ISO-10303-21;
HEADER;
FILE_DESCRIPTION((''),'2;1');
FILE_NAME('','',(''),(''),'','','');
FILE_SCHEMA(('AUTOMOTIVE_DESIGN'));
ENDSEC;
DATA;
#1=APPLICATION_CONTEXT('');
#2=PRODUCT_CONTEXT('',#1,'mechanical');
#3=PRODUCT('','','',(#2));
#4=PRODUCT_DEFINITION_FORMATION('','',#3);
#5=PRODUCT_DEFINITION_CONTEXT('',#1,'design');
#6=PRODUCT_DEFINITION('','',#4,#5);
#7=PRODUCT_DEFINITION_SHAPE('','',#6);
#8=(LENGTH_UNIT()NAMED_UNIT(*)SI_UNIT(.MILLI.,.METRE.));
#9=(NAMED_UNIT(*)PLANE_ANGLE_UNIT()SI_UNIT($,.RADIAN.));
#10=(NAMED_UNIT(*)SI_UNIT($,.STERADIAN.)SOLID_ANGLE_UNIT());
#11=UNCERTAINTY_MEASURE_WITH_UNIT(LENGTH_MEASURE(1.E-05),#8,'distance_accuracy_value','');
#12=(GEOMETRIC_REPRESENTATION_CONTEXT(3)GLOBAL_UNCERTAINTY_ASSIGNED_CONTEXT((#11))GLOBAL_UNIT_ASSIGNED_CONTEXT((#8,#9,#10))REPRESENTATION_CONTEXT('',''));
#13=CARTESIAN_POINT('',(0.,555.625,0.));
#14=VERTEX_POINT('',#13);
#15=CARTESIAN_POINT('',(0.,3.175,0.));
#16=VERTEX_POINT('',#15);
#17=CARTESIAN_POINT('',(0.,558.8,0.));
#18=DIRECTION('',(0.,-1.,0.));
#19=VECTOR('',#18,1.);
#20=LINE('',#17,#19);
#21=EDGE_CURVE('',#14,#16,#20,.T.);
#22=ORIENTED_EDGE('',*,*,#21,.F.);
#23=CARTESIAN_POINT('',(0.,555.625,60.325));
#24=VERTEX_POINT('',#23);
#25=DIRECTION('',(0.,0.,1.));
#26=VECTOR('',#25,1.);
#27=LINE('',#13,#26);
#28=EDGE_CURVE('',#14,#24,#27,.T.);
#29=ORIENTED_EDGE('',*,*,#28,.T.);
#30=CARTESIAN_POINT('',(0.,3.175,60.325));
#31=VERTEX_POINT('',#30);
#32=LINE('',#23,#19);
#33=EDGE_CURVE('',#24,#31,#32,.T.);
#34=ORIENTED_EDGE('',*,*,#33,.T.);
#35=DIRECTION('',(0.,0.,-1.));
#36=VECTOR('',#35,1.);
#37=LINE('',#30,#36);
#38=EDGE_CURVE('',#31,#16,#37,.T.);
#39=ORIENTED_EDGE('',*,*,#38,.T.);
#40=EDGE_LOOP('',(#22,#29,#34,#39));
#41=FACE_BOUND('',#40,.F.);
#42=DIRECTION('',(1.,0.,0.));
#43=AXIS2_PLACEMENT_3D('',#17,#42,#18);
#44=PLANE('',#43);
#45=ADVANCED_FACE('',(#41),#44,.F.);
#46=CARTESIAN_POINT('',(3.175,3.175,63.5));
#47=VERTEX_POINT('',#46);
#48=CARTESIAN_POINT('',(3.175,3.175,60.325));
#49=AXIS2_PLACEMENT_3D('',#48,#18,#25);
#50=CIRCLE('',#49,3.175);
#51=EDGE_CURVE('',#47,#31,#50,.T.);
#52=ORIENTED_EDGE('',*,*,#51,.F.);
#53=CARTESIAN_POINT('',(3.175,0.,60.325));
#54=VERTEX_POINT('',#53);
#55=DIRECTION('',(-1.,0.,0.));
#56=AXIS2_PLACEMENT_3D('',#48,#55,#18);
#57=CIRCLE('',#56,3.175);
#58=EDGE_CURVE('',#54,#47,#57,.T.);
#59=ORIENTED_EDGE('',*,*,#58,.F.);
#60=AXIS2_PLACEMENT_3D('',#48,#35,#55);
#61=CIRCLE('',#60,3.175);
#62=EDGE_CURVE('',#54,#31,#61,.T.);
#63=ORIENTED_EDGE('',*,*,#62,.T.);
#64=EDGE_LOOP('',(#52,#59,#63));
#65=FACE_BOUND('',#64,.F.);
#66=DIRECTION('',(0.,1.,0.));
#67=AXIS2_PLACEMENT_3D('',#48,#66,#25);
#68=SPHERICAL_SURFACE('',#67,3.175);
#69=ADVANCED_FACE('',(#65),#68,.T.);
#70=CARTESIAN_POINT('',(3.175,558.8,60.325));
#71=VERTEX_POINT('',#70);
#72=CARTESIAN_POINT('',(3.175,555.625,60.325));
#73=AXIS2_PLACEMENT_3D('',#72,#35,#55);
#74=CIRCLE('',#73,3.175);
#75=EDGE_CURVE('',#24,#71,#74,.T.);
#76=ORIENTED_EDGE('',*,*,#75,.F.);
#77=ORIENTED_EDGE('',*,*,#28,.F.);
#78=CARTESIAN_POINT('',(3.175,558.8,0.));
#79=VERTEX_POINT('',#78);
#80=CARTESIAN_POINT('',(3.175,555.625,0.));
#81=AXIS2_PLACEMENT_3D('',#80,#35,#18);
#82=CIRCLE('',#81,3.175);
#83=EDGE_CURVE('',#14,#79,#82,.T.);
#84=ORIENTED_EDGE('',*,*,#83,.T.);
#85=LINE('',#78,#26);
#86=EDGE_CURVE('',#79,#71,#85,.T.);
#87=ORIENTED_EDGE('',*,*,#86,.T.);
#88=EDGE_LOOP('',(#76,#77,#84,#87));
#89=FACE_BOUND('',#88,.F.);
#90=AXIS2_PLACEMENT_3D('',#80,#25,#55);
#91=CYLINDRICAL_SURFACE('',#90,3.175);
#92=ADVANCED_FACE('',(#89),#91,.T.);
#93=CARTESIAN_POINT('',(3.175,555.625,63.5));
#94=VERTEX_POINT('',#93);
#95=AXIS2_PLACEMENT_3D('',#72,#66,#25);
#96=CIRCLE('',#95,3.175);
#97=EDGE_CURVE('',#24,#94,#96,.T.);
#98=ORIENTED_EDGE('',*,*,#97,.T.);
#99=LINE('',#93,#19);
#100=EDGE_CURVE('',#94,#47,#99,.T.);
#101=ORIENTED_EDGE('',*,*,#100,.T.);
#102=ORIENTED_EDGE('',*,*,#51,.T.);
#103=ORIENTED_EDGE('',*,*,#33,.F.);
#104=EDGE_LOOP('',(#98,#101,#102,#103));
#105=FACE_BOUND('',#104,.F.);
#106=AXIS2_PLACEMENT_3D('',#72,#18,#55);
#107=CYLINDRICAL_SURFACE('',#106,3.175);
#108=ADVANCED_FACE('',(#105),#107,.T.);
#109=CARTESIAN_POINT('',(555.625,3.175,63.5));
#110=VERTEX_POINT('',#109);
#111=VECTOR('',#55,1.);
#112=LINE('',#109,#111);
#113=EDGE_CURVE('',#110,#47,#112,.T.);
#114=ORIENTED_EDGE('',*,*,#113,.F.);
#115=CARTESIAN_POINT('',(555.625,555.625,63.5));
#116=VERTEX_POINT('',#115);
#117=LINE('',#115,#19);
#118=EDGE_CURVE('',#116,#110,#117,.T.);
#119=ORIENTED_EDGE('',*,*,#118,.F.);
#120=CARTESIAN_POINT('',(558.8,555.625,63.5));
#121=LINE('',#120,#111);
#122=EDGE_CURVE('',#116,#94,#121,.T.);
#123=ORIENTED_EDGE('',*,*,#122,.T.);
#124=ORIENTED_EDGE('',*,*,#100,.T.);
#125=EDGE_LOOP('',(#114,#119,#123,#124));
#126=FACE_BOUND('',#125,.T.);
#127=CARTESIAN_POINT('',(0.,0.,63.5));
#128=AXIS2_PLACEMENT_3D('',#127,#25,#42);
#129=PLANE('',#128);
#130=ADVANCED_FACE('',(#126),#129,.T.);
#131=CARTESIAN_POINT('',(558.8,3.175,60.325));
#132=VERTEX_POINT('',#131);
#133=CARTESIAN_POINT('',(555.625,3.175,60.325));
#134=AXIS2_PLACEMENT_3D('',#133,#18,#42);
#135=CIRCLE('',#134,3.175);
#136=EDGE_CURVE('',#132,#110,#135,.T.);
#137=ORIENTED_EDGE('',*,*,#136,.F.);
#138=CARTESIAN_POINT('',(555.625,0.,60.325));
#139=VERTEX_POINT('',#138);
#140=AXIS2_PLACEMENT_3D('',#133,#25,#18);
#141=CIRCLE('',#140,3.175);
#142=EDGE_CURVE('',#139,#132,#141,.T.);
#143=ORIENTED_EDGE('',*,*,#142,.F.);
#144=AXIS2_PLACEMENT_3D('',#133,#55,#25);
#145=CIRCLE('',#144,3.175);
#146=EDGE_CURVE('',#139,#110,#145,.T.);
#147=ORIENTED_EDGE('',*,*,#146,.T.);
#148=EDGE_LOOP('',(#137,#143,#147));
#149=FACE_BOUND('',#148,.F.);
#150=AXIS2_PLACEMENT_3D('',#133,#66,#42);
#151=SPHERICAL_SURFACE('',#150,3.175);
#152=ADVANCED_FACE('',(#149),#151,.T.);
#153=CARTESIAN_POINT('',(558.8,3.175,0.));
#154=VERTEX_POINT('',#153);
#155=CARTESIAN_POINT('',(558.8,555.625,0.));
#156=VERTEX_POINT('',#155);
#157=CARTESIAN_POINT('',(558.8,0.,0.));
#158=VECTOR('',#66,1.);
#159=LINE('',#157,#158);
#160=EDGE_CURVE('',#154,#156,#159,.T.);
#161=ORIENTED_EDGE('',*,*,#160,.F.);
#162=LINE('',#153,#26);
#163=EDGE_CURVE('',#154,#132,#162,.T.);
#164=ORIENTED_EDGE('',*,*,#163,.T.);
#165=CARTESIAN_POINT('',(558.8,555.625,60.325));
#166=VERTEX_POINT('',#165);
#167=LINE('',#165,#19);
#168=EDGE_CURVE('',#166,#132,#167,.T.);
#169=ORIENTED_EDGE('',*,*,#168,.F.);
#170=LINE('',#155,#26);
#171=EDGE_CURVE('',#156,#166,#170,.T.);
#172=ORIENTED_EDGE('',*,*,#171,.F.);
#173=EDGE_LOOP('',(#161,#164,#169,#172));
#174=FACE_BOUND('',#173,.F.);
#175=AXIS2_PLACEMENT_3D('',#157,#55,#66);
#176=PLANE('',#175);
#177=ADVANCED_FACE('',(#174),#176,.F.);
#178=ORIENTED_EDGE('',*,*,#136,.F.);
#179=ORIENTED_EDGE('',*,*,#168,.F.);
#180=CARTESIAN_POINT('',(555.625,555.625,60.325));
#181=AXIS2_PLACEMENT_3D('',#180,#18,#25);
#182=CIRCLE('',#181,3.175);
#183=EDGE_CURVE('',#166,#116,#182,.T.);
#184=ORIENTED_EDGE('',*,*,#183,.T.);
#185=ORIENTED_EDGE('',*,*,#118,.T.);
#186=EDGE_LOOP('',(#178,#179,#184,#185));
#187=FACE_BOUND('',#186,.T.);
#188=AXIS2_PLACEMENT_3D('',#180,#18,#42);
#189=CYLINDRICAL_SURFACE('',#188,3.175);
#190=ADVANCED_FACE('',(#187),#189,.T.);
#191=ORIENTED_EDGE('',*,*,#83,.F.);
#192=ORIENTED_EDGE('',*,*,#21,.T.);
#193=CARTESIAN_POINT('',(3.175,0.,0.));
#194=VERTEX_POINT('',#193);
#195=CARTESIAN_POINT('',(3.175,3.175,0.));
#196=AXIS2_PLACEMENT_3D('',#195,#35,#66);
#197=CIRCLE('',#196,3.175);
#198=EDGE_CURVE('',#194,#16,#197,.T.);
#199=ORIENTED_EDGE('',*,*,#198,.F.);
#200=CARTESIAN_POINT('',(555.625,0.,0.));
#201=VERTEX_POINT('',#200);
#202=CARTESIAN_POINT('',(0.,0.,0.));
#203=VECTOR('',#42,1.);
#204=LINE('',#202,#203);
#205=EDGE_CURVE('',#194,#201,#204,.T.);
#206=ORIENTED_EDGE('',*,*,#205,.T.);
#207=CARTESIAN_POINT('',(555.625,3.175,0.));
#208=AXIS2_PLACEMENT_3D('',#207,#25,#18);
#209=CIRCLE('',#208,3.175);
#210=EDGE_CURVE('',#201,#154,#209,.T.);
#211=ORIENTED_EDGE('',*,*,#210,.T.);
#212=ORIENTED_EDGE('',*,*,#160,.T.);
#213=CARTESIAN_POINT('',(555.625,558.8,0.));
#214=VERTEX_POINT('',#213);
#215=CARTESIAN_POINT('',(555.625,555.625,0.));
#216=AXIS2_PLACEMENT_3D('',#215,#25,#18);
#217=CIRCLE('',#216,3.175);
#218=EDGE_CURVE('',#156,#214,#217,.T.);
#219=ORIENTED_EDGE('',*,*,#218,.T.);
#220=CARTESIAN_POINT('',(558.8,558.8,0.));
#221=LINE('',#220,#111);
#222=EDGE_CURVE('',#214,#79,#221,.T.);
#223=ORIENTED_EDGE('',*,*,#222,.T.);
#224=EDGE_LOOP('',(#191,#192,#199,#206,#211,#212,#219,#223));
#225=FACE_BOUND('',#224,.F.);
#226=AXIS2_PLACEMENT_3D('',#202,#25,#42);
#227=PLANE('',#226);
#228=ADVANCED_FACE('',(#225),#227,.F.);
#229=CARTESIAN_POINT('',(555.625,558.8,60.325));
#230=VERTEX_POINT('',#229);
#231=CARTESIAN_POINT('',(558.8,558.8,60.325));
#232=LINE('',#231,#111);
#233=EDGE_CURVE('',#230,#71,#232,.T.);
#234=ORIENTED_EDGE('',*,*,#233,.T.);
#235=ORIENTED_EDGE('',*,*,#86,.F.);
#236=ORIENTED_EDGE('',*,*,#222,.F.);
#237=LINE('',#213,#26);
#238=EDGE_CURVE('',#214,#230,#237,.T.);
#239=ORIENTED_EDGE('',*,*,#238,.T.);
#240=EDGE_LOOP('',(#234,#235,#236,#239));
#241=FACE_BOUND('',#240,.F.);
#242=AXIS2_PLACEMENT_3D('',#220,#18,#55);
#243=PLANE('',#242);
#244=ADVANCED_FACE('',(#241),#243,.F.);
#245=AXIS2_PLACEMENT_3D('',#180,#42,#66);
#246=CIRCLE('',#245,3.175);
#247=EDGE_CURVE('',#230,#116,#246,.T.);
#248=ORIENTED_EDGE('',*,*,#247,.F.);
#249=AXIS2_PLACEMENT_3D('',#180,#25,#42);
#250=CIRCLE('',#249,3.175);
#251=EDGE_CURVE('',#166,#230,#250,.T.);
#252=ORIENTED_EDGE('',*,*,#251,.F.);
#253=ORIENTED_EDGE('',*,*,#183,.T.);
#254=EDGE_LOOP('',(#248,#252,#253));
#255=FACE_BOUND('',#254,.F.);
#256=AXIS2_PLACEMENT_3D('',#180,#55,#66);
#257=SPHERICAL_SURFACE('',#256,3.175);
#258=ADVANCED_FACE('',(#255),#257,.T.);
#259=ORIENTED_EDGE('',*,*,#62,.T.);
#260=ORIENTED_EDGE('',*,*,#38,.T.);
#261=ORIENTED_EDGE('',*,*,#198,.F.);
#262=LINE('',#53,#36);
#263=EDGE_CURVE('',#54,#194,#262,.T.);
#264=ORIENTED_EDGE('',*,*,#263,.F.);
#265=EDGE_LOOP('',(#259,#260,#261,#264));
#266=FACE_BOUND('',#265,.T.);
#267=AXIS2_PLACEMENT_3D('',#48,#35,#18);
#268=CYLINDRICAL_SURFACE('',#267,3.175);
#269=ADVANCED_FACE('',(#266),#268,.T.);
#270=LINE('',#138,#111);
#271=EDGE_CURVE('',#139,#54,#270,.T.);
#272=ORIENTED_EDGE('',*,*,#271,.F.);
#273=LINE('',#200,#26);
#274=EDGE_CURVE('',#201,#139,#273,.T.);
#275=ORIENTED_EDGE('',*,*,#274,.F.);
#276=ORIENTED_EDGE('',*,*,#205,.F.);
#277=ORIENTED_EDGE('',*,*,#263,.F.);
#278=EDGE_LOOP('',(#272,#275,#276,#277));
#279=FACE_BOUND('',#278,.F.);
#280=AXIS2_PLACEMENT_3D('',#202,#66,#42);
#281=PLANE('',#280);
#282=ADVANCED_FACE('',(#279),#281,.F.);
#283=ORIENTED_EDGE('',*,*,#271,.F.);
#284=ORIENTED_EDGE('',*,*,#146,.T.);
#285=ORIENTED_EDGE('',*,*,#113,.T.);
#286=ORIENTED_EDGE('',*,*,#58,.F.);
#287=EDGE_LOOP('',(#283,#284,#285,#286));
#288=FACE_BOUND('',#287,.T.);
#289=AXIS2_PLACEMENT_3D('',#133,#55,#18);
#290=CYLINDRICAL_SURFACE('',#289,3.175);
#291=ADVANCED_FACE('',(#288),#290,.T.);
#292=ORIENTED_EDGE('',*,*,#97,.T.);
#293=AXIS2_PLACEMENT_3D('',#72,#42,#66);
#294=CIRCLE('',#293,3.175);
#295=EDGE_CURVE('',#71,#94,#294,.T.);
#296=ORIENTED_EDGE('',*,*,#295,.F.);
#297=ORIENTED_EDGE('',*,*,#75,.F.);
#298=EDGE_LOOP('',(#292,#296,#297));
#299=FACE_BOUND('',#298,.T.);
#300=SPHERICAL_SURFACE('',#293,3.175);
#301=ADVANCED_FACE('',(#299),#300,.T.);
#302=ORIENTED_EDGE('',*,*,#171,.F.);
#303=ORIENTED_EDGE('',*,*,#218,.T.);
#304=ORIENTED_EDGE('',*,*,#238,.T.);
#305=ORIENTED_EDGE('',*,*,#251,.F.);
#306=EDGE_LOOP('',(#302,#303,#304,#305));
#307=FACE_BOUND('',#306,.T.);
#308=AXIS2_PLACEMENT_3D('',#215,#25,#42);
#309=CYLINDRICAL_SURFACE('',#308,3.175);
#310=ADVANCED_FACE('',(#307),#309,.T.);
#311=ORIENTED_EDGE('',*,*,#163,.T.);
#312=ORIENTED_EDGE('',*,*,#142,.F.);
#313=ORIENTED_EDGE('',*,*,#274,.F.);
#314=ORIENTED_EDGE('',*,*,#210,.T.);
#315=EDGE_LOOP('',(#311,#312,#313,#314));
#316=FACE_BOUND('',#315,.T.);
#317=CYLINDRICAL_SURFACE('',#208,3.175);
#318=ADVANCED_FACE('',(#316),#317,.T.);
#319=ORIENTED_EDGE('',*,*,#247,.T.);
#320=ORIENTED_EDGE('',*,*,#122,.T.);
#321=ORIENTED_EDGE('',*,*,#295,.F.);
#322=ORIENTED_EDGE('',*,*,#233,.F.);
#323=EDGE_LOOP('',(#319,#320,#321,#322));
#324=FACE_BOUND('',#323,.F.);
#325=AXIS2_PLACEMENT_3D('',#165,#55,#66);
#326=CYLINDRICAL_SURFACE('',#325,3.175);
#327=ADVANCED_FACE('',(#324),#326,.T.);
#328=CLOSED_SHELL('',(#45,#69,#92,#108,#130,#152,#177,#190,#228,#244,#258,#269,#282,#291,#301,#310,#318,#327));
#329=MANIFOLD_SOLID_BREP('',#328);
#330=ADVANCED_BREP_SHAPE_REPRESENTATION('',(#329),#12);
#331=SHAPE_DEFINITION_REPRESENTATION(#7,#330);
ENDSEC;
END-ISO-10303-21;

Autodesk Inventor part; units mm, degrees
ref_plane "YZ Plane" through (0, 0, 0) normal (1, 0, 0) x (0, 1, 0)
ref_plane "XZ Plane" through (0, 0, 0) normal (0, 1, 0) x (-1, 0, 0)
ref_plane "XY Plane" through (0, 0, 0) normal (0, 0, 1) x (1, 0, 0)
sketch "Sketch1" plane through (0, 0, 0) normal (0, 0, 1) x (1, 0, 0)
  line L0 (0, 0) -> (558.8, 0)
  line L1 (558.8, 0) -> (558.8, 558.8)
  line L2 (558.8, 558.8) -> (0, 558.8)
  line L3 (0, 558.8) -> (0, 0)
  dimension "d0" = 558.8
  dimension "d1" = 558.8
extrude "Extrusion1" add sketch "Sketch1" along normal blind 63.5
fillet "Fillet1" radius 3.175 1 edges at (279.4, 558.8, 63.5)
fillet "Fillet2" radius 3.175 3 edges at (0, 557.8701, 62.5701) (0, 558.8, 30.1625) (0, 277.8125, 63.5)
fillet "Fillet3" radius 3.175 3 edges at (558.8, 557.8701, 62.5701) (558.8, 558.8, 30.1625) (558.8, 277.8125, 63.5)
fillet "Fillet4" radius 3.175 5 edges at (557.8701, 0, 62.5701) (558.8, 0, 30.1625) (0.9299, 0, 62.5701) (0, 0, 30.1625) (279.4, 0, 63.5)
sketch "Sketch2" plane through (0, 0, 63.5) normal (0, 0, 1) x (1, 0, 0)
  line L0 (555.625, 3.175) -> (3.175, 3.175) projected
  line L1 (555.625, 555.625) -> (555.625, 3.175) projected
  line L2 (3.175, 555.625) -> (555.625, 555.625) projected
  line L3 (3.175, 3.175) -> (3.175, 555.625) projected
  line L4 (79.375, 79.375) -> (79.375, 479.425)
  line L5 (79.375, 479.425) -> (479.425, 479.425)
  line L6 (479.425, 479.425) -> (479.425, 79.375)
  line L7 (479.425, 79.375) -> (79.375, 79.375)
  line L8 (129.3812, 479.425) -> (129.3812, 79.375)
  line L9 (429.4187, 479.425) -> (429.4187, 79.375)
  line L10 (379.4125, 479.425) -> (379.4125, 79.375)
  line L11 (179.3875, 479.425) -> (179.3875, 79.375)
  line L12 (229.3937, 479.425) -> (229.3937, 79.375)
  line L13 (329.4062, 479.425) -> (329.4062, 79.375)
  line L14 (279.4, 479.425) -> (279.4, 79.375)
  line L15 (79.375, 129.3813) -> (479.425, 129.3813)
  line L16 (79.375, 179.3875) -> (479.425, 179.3875)
  line L17 (79.375, 429.4188) -> (479.425, 429.4188)
  line L18 (79.375, 379.4125) -> (479.425, 379.4125)
  line L19 (79.375, 329.4063) -> (479.425, 329.4063)
  line L20 (79.375, 279.4) -> (479.425, 279.4)
  line L21 (79.375, 229.3938) -> (479.425, 229.3938)
  line L22 (53.975, 504.825) -> (504.825, 504.825)
  line L23 (504.825, 504.825) -> (504.825, 53.975)
  line L24 (504.825, 53.975) -> (53.975, 53.975)
  line L25 (53.975, 53.975) -> (53.975, 504.825)
  line L26 (134.4612, 479.425) -> (134.4612, 79.375)
  line L27 (129.3812, 479.425) -> (129.3812, 79.375)
  line L28 (174.3075, 479.425) -> (174.3075, 79.375)
  line L29 (184.4675, 479.425) -> (184.4675, 79.375)
  line L30 (224.3137, 479.425) -> (224.3137, 79.375)
  line L31 (234.4737, 479.425) -> (234.4737, 79.375)
  line L32 (274.32, 479.425) -> (274.32, 79.375)
  line L33 (284.48, 479.425) -> (284.48, 79.375)
  line L34 (324.3262, 479.425) -> (324.3262, 79.375)
  line L35 (334.4862, 479.425) -> (334.4862, 79.375)
  line L36 (374.3325, 479.425) -> (374.3325, 79.375)
  line L37 (384.4925, 479.425) -> (384.4925, 79.375)
  line L38 (424.3387, 479.425) -> (424.3387, 79.375)
  line L39 (434.4987, 479.425) -> (434.4987, 79.375)
  line L40 (479.425, 124.3013) -> (79.375, 124.3013)
  line L41 (79.375, 134.4613) -> (479.425, 134.4613)
  line L42 (479.425, 174.3075) -> (79.375, 174.3075)
  line L43 (79.375, 184.4675) -> (479.425, 184.4675)
  line L44 (479.425, 224.3138) -> (79.375, 224.3138)
  line L45 (79.375, 234.4737) -> (479.425, 234.4738)
  line L46 (479.425, 274.32) -> (79.375, 274.32)
  line L47 (79.375, 284.48) -> (479.425, 284.48)
  line L48 (479.425, 324.3263) -> (79.375, 324.3263)
  line L49 (479.425, 334.4863) -> (79.375, 334.4863)
  line L50 (79.375, 374.3325) -> (479.425, 374.3325)
  line L51 (479.425, 384.4925) -> (79.375, 384.4925)
  line L52 (79.375, 424.3388) -> (479.425, 424.3388)
  line L53 (479.425, 434.4988) -> (79.375, 434.4988)
  line L54 (124.3012, 479.425) -> (124.3012, 79.375)
  point P0 (0, 0)
  dimension "d12" = 50.0063
  dimension "d13" = 50.0063
  dimension "d14" = 50.0063
  dimension "d15" = 50.0063
  dimension "d16" = 50.0063
  dimension "d17" = 50.0063
  dimension "d18" = 50.0063
  dimension "d19" = 50.0063
  dimension "d20" = 50.0063
  dimension "d21" = 50.0063
  dimension "d22" = 50.0063
  dimension "d23" = 50.0063
  dimension "d24" = 50.0063
  dimension "d25" = 50.0063
  dimension "d26" = 50.0063
  dimension "d27" = 50.0063
  dimension "d28" = 25.4
  dimension "d29" = 25.4
  dimension "d30" = 25.4
  dimension "d31" = 25.4
  dimension "d32" = 50.8
  dimension "d33" = 50.8
  dimension "d34" = 50.8
  dimension "d35" = 50.8
  dimension "d36" = 5.08
  dimension "d37" = 5.08
  dimension "d38" = 5.08
  dimension "d39" = 5.08
  dimension "d40" = 5.08
  dimension "d41" = 5.08
  dimension "d42" = 5.08
  dimension "d43" = 5.08
  dimension "d44" = 5.08
  dimension "d45" = 5.08
  dimension "d46" = 5.08
  dimension "d47" = 5.08
  dimension "d48" = 5.08
  dimension "d49" = 5.08
  dimension "d50" = 5.08
  dimension "d51" = 5.08
  dimension "d52" = 5.08
  dimension "d53" = 5.08
  dimension "d54" = 5.08
  dimension "d55" = 5.08
  dimension "d56" = 5.08
  dimension "d57" = 5.08
  dimension "d58" = 5.08
  dimension "d59" = 5.08
  dimension "d60" = 5.08
  dimension "d61" = 5.08
  dimension "d62" = 5.08
  dimension "d63" = 39.8462
  dimension "d64" = 39.8462
  dimension "d65" = 5.08
sketch "Sketch3" plane through (0, 0, 63.5) normal (0, 0, 1) x (1, 0, 0)
  point P0 (0, 0)
equation "\"d13\" = d12"
equation "\"d14\" = d12"
equation "\"d15\" = d12"
equation "\"d16\" = d12"
equation "\"d17\" = d12"
equation "\"d18\" = d12"
equation "\"d20\" = d12"
equation "\"d21\" = d12"
equation "\"d22\" = d12"
equation "\"d23\" = d12"
equation "\"d24\" = d12"
equation "\"d25\" = d12"
equation "\"d26\" = d12"
equation "\"d37\" = d36"
equation "\"d38\" = d36"
equation "\"d39\" = d36"
equation "\"d40\" = d39"
equation "\"d41\" = d39"
equation "\"d42\" = d41"
equation "\"d43\" = d41"
equation "\"d44\" = d41"
equation "\"d45\" = d43"
equation "\"d46\" = d45"
equation "\"d47\" = d45"
equation "\"d48\" = d47"
equation "\"d49\" = d48"
equation "\"d50\" = d49"
equation "\"d51\" = d49"
equation "\"d52\" = d49"
equation "\"d53\" = d52"
equation "\"d54\" = d51"
equation "\"d55\" = d53"
equation "\"d56\" = d55"
equation "\"d57\" = d55"
equation "\"d58\" = d56"
equation "\"d59\" = d57"
equation "\"d60\" = d57"
equation "\"d61\" = d60"
equation "\"d62\" = d59"
properties part number "chess-board"
